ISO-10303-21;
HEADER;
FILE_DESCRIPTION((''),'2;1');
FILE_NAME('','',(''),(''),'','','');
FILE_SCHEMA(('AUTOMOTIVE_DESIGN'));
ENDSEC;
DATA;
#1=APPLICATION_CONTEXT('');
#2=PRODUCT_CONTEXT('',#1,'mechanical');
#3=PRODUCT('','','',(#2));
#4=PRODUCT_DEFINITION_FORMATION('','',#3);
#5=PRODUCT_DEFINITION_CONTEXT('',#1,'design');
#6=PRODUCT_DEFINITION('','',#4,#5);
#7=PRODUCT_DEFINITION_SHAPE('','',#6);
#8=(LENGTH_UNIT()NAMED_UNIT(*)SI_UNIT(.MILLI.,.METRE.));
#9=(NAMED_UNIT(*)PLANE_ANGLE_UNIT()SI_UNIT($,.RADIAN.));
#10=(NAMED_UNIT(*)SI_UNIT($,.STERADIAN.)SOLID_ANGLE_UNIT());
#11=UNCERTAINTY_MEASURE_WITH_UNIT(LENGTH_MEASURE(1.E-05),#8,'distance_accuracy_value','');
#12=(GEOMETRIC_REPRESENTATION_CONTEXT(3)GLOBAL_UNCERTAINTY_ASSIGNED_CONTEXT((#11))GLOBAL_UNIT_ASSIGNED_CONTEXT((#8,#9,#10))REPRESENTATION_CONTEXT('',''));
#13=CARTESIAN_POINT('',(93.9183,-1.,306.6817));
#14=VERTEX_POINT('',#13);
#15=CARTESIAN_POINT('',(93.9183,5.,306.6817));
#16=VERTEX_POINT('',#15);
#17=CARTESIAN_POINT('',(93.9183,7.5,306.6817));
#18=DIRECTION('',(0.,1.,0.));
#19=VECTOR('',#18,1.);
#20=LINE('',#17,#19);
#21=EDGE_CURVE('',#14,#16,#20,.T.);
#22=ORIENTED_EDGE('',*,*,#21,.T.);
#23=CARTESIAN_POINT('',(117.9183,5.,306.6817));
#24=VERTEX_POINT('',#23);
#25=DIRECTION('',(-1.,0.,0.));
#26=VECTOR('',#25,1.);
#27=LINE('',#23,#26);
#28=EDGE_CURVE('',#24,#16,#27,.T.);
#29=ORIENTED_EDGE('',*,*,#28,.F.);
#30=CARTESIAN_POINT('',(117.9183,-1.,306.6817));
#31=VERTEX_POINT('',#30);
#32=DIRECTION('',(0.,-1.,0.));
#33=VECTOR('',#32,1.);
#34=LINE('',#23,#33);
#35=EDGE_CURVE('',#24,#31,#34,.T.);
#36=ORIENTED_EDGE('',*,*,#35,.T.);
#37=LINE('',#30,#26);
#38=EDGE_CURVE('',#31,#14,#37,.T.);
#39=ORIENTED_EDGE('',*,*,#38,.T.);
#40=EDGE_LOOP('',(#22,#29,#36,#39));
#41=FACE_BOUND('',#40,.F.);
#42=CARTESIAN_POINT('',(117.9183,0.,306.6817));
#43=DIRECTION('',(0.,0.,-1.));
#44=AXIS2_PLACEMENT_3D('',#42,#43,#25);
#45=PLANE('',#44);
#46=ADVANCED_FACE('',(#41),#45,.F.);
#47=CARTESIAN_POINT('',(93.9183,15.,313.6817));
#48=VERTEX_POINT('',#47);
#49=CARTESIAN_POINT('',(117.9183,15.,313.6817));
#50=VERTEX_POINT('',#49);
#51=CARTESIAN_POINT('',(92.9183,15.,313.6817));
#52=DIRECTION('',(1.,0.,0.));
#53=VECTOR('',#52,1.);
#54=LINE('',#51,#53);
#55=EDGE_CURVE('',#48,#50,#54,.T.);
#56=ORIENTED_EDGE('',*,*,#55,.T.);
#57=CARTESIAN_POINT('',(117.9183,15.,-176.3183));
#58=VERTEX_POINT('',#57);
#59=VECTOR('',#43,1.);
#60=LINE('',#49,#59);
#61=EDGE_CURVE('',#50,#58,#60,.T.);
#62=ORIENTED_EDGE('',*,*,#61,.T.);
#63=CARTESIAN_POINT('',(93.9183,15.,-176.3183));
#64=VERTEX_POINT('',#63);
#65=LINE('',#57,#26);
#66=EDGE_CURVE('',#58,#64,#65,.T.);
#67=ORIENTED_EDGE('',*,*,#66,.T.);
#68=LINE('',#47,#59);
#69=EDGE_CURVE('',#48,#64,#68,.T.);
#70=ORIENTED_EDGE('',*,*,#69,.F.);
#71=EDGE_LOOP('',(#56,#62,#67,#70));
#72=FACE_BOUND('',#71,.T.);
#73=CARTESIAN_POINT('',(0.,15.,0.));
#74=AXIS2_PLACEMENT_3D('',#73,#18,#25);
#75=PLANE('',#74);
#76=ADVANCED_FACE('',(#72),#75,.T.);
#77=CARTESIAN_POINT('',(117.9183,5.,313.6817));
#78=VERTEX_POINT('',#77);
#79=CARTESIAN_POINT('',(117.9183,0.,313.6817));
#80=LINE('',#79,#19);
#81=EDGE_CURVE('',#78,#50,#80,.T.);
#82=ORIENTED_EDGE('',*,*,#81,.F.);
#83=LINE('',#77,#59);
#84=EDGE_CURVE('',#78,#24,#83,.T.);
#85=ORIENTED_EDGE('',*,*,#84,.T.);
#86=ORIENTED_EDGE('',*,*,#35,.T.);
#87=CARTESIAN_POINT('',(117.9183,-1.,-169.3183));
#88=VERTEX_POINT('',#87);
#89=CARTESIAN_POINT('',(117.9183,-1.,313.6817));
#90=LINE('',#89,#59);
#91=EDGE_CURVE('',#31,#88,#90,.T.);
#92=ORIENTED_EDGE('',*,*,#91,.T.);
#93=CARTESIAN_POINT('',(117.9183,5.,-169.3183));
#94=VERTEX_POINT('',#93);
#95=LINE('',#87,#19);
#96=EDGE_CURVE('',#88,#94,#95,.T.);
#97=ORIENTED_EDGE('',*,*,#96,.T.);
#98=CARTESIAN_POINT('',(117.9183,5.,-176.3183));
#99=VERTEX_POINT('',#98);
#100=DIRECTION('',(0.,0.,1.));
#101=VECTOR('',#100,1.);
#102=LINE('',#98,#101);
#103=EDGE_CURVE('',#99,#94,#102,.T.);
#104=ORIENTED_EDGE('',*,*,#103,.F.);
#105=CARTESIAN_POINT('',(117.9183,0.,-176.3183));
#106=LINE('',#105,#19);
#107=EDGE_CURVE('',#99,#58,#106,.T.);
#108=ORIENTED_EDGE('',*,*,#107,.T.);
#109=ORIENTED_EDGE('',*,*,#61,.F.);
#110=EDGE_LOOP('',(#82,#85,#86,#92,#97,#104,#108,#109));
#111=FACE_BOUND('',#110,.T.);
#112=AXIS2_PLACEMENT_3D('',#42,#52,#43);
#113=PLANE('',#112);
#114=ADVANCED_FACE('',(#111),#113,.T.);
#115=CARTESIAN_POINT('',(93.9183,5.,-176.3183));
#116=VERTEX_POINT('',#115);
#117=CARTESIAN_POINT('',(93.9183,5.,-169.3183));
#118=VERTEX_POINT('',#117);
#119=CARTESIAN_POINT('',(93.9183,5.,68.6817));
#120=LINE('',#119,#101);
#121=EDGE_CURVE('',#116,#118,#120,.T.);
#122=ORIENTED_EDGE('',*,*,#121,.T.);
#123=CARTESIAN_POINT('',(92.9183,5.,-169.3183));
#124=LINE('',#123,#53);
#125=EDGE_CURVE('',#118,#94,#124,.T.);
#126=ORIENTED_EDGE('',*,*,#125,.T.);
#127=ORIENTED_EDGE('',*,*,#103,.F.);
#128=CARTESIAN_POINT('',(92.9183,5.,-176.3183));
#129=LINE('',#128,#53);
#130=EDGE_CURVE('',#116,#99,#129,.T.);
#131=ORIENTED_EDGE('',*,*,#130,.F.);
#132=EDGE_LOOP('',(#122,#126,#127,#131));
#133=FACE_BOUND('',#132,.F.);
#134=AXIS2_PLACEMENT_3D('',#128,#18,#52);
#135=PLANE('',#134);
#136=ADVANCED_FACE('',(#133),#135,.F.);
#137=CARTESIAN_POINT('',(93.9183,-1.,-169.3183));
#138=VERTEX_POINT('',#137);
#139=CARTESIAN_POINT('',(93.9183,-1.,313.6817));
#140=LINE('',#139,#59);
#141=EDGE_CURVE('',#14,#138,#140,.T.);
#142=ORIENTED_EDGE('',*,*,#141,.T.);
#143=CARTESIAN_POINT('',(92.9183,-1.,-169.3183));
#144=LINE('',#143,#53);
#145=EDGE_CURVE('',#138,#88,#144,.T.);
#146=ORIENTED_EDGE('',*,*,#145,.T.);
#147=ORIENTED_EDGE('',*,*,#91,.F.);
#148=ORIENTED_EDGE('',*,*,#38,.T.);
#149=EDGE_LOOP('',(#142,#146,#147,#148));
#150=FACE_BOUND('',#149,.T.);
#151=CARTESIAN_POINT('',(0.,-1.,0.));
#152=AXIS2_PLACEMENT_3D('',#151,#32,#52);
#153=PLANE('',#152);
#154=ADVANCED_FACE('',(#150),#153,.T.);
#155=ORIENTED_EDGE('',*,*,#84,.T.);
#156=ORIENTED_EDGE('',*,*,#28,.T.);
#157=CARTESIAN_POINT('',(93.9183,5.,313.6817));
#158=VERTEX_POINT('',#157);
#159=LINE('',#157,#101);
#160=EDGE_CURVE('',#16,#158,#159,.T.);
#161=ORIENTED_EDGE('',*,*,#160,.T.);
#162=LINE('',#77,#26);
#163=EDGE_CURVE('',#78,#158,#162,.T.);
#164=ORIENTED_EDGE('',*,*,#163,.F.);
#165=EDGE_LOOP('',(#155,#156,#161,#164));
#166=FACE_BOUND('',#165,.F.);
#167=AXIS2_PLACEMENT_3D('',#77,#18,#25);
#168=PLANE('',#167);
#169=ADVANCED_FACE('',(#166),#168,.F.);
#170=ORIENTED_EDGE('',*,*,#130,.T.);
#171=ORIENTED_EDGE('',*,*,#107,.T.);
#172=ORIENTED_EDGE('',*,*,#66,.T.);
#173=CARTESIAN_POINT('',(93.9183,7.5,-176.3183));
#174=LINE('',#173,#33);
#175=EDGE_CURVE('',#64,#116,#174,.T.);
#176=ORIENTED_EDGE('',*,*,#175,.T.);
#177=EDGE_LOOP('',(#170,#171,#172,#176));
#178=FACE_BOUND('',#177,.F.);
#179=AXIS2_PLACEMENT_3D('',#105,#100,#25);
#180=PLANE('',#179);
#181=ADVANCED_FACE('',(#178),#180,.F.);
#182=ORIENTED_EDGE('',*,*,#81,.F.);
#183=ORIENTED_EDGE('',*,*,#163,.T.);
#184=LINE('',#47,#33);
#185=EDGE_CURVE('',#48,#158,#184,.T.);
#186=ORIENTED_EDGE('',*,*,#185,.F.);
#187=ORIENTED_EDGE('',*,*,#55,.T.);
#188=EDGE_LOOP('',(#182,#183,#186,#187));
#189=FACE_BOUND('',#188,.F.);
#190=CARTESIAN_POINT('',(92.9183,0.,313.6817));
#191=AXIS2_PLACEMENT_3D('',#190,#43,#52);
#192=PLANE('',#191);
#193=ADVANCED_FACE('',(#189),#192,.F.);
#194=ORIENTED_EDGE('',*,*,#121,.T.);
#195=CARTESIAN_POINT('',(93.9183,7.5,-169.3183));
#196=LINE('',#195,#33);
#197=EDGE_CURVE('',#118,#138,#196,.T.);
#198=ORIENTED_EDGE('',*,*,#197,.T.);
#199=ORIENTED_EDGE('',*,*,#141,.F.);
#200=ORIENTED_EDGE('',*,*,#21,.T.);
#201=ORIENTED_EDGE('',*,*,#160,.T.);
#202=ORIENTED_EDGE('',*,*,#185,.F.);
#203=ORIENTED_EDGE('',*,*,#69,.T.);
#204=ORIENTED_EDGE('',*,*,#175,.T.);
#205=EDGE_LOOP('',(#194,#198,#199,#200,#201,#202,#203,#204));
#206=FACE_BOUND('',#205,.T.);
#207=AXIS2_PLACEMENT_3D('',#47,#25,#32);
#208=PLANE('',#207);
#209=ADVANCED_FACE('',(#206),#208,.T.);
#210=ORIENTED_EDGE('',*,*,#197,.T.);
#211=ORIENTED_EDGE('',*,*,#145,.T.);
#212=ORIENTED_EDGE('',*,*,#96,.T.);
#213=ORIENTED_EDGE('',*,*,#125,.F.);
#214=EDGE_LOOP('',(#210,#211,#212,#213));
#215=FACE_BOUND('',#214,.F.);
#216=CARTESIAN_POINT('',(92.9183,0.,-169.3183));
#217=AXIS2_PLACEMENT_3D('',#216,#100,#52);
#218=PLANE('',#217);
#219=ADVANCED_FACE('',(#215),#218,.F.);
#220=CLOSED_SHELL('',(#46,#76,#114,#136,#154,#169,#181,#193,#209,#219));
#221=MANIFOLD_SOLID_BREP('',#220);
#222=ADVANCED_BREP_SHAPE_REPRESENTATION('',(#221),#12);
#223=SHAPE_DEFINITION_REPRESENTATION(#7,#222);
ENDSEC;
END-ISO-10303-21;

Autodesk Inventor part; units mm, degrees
ref_plane "YZ Plane" through (0, 0, 0) normal (1, 0, 0) x (0, 1, 0)
ref_plane "XZ Plane" through (0, 0, 0) normal (0, 1, 0) x (-1, 0, 0)
ref_plane "XY Plane" through (0, 0, 0) normal (0, 0, 1) x (1, 0, 0)
sketch "Sketch1" plane through (0, 0, 0) normal (0, 1, 0) x (-1, 0, 0)
  line L0 (-92.9183, 313.6817) -> (-117.9183, 313.6817)
  line L1 (-117.9183, 313.6817) -> (-117.9183, -176.3183)
  line L2 (-117.9183, -176.3183) -> (-92.9183, -176.3183)
  line L3 (-92.9183, -176.3183) -> (-92.9183, 313.6817)
  point P0 (0, 0)
  dimension "d0" = 25
  dimension "d1" = 490
extrude "Extrusion1" add sketch "Sketch1" along normal blind 15
sketch "Sketch2" plane through (92.9183, 0, 313.6817) normal (0, 0, 1) x (1, 0, 0)
  line L0 (25, 0) -> (0, 0) projected
  line L1 (0, 0) -> (25, 0)
  line L2 (25, 0) -> (25, 5)
  line L3 (25, 5) -> (0, 5)
  line L4 (0, 5) -> (0, 0)
  point P0 (-92.9183, 0)
  dimension "d4" = 25
  dimension "d5" = 5
extrude "Extrusion2" cut sketch "Sketch2" against normal blind 7
sketch "Sketch3" plane through (117.9183, 0, -176.3183) normal (0, 0, -1) x (-1, 0, 0)
  line L0 (0, 0) -> (25, 0) projected
  line L1 (0, 0) -> (25, 0)
  line L2 (25, 0) -> (25, 5)
  line L3 (25, 5) -> (0, 5)
  line L4 (0, 5) -> (0, 0)
  point P0 (117.9183, 0)
  dimension "d8" = 25
  dimension "d9" = 5
extrude "Extrusion3" cut sketch "Sketch3" against normal blind 7
sketch "Sketch4" plane through (0, 0, 0) normal (0, -1, 0) x (1, 0, 0)
  line L0 (117.9183, 313.6817) -> (117.9183, -176.3183) projected
  line L1 (92.9183, -169.3183) -> (117.9183, -169.3183) projected
  line L2 (117.9183, 306.6817) -> (117.9183, -169.3183) projected
  line L3 (117.9183, 306.6817) -> (92.9183, 306.6817) projected
  line L4 (92.9183, -169.3183) -> (92.9183, 306.6817) projected
  line L5 (92.9183, -169.3183) -> (92.9183, 306.6817) projected
  line L6 (117.9183, 306.6817) -> (117.9183, -169.3183) projected
  line L7 (92.9183, -169.3183) -> (117.9183, -169.3183)
  line L8 (117.9183, -169.3183) -> (117.9183, 306.6817)
  line L9 (117.9183, 306.6817) -> (92.9183, 306.6817)
  line L10 (92.9183, 306.6817) -> (92.9183, -169.3183)
  point P0 (0, 0)
extrude "Extrusion4" add sketch "Sketch4" along normal blind 1
sketch "Sketch5" plane through (92.9183, 15, 313.6817) normal (0, 0, 1) x (1, 0, 0)
  line L0 (0, -10) -> (0, 0) projected
  line L1 (25, -16) -> (0, -16) projected
  line L2 (0, 0) -> (1, 0)
  line L3 (1, 0) -> (1, -16)
  line L4 (1, -16) -> (0, -16)
  line L5 (0, -16) -> (0, 0)
  point P0 (-92.9183, -15)
  dimension "d14" = 1
extrude "Extrusion5" cut sketch "Sketch5" against normal through all
properties part number "Arcade_TopFill"
